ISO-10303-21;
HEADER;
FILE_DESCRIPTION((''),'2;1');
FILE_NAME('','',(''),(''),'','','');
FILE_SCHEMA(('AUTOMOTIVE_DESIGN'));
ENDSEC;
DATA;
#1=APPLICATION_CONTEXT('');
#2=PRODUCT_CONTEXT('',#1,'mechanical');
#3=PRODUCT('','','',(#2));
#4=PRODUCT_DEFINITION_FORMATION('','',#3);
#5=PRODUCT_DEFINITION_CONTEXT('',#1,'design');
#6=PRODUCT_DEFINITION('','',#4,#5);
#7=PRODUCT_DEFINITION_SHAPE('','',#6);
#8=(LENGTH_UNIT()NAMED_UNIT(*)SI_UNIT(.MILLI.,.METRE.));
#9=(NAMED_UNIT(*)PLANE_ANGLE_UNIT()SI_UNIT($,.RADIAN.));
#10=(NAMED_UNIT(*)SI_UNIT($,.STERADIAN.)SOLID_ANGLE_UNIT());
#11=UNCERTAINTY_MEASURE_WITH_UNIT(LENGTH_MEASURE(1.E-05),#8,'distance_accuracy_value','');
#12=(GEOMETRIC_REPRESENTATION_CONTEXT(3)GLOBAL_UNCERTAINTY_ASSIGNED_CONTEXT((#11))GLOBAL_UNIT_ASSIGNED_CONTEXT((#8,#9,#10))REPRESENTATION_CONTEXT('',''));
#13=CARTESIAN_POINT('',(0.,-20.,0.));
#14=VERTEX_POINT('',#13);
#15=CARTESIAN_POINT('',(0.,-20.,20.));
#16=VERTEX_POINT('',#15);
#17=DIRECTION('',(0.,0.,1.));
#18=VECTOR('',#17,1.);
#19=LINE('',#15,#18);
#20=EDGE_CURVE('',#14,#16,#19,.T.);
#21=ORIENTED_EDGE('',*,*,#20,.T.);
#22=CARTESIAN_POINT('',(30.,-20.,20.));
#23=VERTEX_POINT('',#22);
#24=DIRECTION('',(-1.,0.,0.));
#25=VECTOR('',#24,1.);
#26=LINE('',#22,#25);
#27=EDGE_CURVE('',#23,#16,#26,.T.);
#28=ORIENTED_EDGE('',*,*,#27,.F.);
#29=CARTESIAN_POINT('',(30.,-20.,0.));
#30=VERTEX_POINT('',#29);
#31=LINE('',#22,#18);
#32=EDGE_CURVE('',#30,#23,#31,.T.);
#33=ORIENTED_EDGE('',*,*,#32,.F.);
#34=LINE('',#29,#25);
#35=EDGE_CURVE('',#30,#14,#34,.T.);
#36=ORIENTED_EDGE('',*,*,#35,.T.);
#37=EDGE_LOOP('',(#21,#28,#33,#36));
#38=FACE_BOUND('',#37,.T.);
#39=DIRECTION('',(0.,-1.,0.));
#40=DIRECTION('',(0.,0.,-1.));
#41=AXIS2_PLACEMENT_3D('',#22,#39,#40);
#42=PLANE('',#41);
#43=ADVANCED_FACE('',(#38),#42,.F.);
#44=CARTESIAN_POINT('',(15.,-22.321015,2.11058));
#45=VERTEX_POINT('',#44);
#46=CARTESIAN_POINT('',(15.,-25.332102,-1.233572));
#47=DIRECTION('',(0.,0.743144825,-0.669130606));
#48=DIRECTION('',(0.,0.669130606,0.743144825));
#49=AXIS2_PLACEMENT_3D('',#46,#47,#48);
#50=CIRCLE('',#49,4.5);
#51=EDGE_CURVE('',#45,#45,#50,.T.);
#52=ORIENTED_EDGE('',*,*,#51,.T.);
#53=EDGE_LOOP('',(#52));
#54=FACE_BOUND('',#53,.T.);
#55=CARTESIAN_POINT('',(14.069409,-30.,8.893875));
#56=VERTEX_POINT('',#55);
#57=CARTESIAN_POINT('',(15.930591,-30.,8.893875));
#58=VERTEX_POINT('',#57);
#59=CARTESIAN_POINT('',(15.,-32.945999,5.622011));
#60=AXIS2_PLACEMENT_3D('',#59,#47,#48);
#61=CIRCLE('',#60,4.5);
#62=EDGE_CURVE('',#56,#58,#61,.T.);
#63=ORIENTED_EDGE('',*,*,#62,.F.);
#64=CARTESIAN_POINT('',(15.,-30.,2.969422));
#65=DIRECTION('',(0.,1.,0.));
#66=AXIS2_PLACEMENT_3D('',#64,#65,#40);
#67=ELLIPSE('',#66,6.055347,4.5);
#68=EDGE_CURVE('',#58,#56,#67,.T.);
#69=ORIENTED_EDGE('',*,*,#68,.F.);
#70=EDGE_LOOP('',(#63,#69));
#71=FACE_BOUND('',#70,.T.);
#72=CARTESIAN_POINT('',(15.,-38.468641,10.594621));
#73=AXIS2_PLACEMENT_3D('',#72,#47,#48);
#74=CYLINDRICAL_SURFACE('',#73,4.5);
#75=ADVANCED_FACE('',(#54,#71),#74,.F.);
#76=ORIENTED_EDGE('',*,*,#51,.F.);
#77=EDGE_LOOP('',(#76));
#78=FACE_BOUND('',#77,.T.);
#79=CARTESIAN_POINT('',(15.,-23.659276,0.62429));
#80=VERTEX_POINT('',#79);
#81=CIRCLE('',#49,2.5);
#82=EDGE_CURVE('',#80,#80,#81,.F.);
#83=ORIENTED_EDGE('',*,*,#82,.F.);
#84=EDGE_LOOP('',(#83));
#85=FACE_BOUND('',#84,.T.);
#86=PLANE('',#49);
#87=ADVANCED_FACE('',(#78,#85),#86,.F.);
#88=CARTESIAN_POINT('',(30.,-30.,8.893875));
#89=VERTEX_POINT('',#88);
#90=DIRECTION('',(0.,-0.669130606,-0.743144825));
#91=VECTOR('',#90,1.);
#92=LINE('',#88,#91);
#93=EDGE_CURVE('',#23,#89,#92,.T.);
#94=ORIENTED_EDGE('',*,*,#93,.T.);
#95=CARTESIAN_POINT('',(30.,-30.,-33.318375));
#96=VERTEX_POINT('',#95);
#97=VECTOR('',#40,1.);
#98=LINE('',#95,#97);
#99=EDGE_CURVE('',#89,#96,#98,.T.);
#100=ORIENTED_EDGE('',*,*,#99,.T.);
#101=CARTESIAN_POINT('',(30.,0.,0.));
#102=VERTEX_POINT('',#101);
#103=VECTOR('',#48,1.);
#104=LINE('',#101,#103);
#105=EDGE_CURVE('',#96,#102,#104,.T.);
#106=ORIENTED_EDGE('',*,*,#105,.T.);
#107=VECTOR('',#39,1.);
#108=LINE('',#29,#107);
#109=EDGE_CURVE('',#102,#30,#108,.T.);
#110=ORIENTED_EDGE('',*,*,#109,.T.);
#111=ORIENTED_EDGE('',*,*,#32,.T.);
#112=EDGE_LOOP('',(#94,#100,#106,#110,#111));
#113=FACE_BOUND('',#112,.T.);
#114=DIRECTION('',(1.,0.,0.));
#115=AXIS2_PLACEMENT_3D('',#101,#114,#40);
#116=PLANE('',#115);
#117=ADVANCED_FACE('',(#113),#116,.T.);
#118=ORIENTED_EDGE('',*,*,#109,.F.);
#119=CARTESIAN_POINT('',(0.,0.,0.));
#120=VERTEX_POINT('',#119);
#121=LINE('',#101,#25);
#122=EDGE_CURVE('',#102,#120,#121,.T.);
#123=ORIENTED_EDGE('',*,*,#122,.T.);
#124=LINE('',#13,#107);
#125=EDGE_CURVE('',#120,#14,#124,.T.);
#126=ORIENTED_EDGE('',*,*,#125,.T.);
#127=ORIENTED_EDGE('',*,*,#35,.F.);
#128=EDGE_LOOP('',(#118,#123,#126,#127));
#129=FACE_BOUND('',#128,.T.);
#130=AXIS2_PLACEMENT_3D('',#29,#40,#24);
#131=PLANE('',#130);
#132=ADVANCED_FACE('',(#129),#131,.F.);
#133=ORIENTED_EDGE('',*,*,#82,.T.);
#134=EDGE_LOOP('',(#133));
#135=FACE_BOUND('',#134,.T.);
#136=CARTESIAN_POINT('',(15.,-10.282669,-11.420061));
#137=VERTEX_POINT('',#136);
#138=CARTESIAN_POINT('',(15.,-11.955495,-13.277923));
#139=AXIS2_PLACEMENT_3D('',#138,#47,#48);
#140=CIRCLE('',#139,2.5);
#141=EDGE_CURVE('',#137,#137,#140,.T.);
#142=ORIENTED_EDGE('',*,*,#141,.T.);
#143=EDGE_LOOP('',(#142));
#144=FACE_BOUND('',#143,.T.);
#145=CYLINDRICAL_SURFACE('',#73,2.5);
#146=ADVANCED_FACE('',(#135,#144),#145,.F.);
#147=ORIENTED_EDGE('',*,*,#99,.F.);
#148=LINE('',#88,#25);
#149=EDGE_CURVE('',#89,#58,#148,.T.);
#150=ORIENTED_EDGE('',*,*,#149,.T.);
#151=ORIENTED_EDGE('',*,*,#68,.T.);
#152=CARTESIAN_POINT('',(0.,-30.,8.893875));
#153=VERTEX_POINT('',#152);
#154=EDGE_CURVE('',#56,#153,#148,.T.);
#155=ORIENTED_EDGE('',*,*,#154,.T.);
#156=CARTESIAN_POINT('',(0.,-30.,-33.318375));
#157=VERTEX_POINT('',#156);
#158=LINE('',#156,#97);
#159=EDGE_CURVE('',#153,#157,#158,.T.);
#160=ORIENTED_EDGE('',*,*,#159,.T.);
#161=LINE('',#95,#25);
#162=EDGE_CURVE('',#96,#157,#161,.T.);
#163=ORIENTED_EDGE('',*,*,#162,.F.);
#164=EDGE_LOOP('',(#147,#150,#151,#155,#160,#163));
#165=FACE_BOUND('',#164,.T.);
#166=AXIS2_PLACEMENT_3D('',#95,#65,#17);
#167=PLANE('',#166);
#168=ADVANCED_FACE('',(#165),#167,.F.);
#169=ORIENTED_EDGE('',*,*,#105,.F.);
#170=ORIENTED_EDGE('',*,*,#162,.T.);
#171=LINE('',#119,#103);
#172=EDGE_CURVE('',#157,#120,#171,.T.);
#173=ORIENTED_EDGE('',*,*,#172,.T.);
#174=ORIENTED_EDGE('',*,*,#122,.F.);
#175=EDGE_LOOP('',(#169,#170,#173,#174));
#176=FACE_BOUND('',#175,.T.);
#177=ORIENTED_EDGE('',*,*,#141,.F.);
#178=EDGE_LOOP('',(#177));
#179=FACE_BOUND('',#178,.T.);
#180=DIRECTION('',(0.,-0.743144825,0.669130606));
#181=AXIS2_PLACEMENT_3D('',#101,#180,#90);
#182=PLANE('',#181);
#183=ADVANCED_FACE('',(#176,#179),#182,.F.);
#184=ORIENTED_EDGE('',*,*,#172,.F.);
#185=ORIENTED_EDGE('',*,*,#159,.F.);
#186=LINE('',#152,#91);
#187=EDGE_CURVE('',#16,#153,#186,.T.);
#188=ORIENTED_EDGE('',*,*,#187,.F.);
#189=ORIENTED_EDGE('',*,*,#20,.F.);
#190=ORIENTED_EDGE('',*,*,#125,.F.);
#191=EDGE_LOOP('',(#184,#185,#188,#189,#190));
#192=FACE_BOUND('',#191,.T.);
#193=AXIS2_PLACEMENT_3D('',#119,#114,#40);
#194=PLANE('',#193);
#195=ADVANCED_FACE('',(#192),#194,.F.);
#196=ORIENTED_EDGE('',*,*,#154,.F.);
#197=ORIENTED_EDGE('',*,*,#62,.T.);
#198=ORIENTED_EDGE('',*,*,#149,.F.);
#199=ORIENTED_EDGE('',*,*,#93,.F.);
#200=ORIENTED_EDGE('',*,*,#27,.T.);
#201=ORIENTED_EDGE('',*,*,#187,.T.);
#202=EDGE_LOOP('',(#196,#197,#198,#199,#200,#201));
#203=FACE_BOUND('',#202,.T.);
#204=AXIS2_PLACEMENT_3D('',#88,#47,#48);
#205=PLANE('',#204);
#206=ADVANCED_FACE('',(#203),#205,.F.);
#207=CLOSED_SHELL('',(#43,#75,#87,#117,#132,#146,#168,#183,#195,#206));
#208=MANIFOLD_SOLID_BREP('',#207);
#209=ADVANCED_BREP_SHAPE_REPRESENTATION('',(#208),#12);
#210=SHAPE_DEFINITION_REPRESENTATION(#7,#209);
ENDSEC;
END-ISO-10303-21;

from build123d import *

# Parameters (mm, degrees)
BOSS_EXTRU_1_DEPTH      = 30
ESQUISSE2_R             = 2.5
ENL_V_MAT_EXTRU_1_DEPTH = 54.945473789
ESQUISSE4_R             = 4.5
ENL_V_MAT_EXTRU_2_DEPTH = 57.869272391


with BuildPart() as part:
    # Esquisse1 → Boss.-Extru.1 (new body)
    with BuildSketch(Plane(origin=(0, 0, 0), x_dir=(0, 0, -1), z_dir=(1, 0, 0))):
        Polygon((0, 0), (33.318375445, -30), (-8.893874852, -30), (-20, -20), (0, -20), align=None)
    extrude(amount=BOSS_EXTRU_1_DEPTH)

    # Esquisse2 → Enlèv. mat.-Extru.1 (cut, through all)
    with BuildSketch(Plane(origin=(0, 0, 0), x_dir=(1, 0, 0), z_dir=(0, 0.7431448254773982, -0.6691306063588538))):
        with Locations(Location((15, 17.867207619, 0), (0, 0, 270))):
            Circle(ESQUISSE2_R)
    extrude(amount=-ENL_V_MAT_EXTRU_1_DEPTH, mode=Mode.SUBTRACT)

    # Esquisse4 → Enlèv. mat.-Extru.2 (cut, through all)
    with BuildSketch(Plane(origin=(0, -13.376606859, 12.044350914), x_dir=(1, 0, 0), z_dir=(0, 0.7431448254773982, -0.6691306063588538))):
        with Locations(Location((15, 17.867207619, 0), (0, 0, 270))):
            Circle(ESQUISSE4_R)
    extrude(amount=-ENL_V_MAT_EXTRU_2_DEPTH, mode=Mode.SUBTRACT)


solid = part.part
